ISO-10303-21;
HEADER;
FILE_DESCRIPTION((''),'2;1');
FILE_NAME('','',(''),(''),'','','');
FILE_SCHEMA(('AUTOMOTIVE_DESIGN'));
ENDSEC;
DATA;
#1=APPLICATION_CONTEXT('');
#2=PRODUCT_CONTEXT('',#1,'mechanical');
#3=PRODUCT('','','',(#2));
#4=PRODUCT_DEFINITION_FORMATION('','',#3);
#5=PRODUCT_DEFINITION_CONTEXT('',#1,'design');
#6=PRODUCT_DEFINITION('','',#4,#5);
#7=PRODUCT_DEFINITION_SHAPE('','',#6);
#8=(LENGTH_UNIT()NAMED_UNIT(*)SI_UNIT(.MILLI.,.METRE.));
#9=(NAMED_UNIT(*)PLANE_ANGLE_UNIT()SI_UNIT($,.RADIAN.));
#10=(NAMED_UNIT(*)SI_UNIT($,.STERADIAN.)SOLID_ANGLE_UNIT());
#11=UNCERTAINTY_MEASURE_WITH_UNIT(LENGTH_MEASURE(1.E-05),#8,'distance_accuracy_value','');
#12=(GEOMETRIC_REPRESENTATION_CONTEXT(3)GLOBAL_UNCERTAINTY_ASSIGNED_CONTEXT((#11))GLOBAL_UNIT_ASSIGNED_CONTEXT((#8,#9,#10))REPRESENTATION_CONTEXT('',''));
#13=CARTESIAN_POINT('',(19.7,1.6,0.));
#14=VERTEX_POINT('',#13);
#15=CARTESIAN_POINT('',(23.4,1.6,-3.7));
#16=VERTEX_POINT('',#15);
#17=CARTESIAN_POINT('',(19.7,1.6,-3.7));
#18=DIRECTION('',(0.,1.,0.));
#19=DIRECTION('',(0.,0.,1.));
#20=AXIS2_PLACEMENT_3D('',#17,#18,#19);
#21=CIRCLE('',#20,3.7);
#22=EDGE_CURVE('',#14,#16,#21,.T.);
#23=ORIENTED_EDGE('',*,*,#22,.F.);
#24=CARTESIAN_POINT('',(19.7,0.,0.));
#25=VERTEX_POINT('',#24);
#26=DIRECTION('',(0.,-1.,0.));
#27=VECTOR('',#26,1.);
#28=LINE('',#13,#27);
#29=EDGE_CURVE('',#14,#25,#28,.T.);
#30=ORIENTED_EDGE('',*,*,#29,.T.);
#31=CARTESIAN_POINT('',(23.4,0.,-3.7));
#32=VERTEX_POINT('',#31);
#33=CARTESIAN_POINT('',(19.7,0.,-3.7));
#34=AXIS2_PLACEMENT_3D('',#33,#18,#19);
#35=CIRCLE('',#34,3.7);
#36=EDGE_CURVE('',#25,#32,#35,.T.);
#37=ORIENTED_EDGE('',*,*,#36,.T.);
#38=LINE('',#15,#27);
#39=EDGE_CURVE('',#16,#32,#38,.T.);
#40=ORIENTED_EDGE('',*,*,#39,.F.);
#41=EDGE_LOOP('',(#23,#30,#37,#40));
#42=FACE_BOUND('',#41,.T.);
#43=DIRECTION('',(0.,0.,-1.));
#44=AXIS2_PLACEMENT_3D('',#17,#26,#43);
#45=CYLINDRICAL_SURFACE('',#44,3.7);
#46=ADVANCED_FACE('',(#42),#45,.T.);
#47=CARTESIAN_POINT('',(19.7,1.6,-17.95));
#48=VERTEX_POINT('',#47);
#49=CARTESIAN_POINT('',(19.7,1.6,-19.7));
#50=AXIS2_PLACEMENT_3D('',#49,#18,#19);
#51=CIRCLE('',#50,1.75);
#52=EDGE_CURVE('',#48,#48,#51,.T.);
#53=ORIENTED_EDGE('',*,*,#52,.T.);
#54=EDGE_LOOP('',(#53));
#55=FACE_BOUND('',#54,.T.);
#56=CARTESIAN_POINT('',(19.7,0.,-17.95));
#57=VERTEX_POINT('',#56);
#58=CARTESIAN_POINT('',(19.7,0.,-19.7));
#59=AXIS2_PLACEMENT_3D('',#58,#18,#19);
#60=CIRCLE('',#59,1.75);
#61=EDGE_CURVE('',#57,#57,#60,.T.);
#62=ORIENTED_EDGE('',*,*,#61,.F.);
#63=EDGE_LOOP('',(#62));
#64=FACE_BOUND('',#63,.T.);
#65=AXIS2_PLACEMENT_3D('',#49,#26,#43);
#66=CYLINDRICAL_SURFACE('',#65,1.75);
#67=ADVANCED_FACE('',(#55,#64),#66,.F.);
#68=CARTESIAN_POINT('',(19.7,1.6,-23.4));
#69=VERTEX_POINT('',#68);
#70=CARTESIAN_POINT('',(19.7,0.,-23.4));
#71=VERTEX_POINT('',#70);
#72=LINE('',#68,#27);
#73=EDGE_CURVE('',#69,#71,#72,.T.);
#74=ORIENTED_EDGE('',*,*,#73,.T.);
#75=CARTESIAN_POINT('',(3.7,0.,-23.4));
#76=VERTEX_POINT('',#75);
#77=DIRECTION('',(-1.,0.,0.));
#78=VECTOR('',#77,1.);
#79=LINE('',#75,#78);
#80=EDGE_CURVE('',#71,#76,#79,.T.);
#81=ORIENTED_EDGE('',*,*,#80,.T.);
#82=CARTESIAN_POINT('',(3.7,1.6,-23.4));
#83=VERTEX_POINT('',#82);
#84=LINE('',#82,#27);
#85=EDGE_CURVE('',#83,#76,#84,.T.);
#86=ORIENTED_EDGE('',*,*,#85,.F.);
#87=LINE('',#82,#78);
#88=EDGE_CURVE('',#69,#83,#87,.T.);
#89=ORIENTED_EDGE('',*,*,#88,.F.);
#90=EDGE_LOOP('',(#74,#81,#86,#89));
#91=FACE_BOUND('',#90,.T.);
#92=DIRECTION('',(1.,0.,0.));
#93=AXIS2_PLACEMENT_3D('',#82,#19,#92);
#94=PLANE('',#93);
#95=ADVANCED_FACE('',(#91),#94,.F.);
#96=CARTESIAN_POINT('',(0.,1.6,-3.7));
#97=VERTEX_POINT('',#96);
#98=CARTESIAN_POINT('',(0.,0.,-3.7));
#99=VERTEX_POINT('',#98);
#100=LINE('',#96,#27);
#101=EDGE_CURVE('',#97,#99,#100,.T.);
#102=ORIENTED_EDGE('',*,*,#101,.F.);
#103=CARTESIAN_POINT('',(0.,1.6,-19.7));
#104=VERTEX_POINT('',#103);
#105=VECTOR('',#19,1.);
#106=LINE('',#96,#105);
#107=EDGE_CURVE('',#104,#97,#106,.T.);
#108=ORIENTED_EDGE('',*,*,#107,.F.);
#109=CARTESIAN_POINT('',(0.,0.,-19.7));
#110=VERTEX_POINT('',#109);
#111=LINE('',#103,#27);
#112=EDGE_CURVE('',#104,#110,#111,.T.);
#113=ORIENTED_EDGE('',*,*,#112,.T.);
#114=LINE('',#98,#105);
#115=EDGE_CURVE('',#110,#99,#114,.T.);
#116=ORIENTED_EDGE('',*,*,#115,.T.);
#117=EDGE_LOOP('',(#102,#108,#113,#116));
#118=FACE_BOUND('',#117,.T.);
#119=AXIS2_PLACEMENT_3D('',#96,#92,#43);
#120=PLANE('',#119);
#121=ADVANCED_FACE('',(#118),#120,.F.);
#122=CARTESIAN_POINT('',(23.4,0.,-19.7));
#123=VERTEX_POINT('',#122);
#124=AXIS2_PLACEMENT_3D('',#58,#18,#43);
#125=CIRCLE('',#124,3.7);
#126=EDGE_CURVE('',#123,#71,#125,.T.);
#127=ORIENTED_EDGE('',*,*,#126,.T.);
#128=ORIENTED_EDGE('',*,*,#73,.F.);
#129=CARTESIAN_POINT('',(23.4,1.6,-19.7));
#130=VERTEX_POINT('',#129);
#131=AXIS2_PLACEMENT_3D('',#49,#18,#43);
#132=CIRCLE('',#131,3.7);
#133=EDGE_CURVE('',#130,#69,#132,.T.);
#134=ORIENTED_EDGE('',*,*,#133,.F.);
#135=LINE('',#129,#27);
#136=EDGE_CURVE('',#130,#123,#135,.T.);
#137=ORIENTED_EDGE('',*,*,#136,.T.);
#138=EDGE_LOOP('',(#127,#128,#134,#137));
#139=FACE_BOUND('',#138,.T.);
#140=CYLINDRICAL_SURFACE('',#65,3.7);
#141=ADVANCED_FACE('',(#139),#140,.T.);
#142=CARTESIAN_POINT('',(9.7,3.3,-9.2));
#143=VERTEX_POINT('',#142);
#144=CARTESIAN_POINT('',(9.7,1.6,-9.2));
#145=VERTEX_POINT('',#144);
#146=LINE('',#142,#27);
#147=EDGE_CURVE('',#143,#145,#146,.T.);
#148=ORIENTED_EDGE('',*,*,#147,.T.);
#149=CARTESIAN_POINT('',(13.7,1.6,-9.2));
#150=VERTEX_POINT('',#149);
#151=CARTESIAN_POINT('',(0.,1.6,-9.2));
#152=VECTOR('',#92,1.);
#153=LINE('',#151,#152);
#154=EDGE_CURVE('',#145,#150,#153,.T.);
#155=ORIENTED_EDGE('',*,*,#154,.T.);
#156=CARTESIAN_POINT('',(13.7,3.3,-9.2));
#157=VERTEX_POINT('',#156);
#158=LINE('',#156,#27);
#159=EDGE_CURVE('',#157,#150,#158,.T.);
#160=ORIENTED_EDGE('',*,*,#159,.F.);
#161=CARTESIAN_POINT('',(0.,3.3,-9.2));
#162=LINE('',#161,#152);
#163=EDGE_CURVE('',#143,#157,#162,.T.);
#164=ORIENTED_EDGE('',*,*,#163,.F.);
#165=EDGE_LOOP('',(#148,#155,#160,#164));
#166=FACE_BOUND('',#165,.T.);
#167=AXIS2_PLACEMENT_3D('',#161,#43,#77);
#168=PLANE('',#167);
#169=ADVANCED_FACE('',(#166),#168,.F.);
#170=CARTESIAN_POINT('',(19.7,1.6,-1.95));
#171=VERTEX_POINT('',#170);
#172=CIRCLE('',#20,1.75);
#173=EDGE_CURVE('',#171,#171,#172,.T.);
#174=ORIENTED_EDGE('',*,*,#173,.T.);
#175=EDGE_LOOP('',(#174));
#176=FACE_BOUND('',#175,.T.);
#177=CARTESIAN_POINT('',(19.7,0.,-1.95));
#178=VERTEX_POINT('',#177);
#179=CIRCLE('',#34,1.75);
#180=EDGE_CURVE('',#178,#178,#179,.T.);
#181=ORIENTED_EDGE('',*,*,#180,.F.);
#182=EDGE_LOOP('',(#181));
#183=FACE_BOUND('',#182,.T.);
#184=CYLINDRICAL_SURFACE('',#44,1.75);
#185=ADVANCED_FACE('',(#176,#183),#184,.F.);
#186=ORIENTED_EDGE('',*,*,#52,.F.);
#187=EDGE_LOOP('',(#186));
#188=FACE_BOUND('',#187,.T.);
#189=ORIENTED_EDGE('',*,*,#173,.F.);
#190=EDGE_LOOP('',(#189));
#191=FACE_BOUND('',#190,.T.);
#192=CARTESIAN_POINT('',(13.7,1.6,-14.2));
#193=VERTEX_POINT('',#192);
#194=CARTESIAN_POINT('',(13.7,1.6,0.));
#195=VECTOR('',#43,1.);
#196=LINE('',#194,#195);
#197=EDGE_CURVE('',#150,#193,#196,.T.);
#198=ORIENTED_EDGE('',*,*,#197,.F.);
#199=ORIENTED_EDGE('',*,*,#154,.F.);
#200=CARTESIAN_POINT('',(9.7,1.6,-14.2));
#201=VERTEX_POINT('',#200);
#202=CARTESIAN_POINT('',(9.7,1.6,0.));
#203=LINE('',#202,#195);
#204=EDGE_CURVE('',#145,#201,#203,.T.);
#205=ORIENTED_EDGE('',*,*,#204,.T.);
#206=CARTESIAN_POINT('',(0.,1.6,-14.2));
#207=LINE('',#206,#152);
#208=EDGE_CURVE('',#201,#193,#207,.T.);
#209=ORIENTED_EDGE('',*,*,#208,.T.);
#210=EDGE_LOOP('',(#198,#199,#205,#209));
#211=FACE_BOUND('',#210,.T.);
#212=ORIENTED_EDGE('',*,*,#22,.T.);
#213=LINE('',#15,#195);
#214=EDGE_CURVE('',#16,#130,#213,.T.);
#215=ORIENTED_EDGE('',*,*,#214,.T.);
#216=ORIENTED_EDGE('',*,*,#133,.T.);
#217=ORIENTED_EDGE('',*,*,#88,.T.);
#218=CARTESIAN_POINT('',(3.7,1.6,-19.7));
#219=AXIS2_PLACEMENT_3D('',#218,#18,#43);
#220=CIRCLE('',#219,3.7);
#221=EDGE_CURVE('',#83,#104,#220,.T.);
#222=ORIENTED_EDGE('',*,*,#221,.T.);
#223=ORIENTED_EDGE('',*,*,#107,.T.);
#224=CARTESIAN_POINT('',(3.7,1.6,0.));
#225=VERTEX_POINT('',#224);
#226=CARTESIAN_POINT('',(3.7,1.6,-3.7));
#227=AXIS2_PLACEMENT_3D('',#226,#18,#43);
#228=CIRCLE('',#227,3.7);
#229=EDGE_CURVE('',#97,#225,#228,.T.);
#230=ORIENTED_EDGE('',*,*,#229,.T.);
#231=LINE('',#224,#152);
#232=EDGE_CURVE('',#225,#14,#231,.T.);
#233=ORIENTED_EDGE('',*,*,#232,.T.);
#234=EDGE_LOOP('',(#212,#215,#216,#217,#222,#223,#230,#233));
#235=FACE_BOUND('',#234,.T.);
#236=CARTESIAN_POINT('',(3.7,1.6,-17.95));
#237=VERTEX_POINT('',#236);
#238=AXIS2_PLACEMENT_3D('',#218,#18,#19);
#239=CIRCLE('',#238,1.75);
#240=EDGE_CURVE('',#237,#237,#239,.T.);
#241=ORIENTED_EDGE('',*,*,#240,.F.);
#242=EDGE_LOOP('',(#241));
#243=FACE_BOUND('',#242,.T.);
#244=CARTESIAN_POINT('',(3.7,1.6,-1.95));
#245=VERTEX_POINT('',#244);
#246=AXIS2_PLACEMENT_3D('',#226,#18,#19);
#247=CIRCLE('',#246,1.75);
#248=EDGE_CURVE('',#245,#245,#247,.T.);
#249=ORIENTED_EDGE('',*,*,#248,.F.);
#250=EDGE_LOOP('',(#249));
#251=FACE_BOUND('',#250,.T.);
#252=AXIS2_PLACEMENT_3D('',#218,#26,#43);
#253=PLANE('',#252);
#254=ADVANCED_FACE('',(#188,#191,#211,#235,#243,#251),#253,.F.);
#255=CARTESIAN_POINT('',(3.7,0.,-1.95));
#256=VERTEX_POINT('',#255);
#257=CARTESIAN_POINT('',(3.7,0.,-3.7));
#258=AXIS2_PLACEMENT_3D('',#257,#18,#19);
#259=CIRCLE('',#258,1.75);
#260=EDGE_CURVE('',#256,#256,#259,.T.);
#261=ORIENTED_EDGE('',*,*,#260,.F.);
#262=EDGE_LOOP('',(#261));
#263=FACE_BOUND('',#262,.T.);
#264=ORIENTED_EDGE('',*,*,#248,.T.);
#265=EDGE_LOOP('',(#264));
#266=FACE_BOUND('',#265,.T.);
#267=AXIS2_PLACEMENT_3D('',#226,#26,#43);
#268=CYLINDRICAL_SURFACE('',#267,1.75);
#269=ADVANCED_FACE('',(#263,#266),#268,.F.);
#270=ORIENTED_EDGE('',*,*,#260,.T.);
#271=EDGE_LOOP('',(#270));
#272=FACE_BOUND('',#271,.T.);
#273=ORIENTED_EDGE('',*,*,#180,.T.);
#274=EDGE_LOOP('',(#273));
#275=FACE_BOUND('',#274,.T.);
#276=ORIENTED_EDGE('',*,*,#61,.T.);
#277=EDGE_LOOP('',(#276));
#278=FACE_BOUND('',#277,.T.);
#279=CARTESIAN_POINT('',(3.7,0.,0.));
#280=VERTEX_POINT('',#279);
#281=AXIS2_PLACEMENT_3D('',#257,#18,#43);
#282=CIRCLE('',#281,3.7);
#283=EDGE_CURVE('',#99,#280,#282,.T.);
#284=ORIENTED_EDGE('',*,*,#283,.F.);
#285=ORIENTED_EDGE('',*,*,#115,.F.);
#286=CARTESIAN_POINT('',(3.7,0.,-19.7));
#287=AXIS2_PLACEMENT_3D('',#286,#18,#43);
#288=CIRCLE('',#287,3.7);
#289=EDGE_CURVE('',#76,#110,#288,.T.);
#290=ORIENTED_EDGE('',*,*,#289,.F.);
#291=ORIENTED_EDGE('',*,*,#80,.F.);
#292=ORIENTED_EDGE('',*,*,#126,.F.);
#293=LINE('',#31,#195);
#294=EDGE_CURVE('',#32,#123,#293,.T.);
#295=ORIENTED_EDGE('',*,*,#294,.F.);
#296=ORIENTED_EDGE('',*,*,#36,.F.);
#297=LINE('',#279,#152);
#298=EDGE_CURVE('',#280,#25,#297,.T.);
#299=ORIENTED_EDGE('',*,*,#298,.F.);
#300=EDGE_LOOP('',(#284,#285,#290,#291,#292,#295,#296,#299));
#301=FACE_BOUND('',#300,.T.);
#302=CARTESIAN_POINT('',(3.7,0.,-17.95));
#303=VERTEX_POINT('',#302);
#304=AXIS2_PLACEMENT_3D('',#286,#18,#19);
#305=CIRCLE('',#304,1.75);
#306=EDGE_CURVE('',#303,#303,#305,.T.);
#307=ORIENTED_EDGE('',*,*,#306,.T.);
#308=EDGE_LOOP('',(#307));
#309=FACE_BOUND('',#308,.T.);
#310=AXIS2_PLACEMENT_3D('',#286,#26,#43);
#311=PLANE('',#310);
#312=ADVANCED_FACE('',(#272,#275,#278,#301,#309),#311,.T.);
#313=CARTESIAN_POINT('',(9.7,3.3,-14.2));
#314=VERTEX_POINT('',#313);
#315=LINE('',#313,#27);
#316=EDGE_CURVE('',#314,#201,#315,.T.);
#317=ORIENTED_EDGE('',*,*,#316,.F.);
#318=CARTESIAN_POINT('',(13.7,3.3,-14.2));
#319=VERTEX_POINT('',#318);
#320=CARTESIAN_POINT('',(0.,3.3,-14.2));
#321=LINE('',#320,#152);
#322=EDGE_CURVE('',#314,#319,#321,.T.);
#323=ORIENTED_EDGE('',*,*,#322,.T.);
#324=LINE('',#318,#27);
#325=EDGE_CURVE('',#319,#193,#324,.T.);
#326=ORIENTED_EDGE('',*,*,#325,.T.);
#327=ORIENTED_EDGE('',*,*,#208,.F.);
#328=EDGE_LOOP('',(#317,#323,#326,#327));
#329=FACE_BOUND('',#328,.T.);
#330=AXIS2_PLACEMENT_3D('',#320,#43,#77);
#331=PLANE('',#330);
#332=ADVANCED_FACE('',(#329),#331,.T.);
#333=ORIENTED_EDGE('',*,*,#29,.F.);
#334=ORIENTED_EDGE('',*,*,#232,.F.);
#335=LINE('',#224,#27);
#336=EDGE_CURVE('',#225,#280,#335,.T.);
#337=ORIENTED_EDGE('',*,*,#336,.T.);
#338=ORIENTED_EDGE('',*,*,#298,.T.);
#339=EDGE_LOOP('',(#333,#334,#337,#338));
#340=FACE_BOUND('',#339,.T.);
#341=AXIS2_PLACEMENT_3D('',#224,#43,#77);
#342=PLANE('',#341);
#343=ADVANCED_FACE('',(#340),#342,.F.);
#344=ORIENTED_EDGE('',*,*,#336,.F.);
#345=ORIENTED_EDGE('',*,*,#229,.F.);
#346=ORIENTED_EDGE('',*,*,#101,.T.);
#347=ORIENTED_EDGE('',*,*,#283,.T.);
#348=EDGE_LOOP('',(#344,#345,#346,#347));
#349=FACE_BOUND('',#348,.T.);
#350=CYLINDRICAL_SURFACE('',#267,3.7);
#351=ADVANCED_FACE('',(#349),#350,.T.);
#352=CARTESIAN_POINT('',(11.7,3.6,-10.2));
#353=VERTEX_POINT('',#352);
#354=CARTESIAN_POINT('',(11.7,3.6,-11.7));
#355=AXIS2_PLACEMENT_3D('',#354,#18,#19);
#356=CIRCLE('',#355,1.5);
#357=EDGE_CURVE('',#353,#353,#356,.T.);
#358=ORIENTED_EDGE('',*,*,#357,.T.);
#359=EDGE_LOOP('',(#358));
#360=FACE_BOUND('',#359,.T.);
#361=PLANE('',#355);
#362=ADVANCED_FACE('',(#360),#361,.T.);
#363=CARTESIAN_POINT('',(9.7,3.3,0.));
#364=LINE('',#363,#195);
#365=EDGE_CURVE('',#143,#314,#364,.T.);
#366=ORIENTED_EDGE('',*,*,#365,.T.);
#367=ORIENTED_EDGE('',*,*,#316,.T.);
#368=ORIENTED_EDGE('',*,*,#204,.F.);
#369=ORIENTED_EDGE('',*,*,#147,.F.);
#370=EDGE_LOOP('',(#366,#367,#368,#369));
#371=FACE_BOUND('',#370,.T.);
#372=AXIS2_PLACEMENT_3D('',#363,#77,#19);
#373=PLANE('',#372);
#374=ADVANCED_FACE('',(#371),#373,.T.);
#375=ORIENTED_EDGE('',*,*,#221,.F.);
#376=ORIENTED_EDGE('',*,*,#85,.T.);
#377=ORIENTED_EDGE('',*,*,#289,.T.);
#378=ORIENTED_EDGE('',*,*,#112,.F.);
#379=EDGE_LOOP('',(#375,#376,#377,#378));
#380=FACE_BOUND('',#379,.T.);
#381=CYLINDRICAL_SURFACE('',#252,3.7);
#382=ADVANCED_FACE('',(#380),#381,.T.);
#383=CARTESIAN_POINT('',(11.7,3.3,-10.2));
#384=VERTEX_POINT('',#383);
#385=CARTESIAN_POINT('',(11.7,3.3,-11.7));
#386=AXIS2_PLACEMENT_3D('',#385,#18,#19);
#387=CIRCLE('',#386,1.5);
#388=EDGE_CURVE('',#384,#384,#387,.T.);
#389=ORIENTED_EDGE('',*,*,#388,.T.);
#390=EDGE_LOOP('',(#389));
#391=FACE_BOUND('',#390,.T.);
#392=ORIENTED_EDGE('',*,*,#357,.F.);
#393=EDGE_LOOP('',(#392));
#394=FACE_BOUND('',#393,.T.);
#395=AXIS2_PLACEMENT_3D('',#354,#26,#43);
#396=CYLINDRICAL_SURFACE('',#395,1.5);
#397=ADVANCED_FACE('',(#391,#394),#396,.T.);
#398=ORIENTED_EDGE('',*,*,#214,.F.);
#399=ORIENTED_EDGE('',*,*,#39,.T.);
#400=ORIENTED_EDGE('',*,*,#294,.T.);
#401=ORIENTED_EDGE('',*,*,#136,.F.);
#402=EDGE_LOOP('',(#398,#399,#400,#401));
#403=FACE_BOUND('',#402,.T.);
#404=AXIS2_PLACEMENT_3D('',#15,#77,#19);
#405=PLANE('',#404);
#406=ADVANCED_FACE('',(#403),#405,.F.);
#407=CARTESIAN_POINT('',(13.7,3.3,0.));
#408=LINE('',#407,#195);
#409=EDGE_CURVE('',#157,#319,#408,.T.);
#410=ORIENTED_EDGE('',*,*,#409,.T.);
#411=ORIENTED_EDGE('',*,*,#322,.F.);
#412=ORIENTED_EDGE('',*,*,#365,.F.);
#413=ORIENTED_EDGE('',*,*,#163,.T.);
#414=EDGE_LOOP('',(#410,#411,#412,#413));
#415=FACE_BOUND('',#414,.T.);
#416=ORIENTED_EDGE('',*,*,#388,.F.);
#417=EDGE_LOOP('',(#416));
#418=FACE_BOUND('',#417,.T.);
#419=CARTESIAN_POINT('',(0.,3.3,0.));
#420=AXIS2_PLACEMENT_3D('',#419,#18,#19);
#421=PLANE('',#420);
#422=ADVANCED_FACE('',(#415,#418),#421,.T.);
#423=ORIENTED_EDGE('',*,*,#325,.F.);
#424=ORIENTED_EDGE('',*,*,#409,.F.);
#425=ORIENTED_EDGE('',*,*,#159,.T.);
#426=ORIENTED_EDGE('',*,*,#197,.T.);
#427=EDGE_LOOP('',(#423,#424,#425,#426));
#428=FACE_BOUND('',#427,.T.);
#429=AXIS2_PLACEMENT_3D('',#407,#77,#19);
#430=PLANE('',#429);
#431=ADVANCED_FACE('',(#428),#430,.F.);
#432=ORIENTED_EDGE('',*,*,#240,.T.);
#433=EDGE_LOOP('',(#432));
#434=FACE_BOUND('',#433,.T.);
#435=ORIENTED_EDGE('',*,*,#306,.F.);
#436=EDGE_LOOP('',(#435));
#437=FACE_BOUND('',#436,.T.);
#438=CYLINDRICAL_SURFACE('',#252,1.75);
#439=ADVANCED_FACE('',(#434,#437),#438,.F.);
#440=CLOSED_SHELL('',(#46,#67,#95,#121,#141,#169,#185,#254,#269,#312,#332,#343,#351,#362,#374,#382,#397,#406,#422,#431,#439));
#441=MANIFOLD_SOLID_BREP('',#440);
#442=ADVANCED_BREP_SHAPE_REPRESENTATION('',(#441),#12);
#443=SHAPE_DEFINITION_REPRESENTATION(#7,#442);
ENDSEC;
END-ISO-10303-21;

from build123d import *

# Parameters (mm, degrees)
SKETCH1_R           = 1.75
BOSS_EXTRUDE1_DEPTH = 1.6
SKETCH2_W           = 2
SKETCH2_H           = 5
BOSS_EXTRUDE2_DEPTH = 1.7
SKETCH3_R           = 1.5
BOSS_EXTRUDE3_DEPTH = 0.3


with BuildPart() as part:
    # Sketch1 → Boss-Extrude1 (new body)
    with BuildSketch(Plane(origin=(0, 0, 0), x_dir=(1, 0, 0), z_dir=(0, 1, 0))):
        with BuildLine():
            Line((3.7, 0), (19.7, 0))
            ThreePointArc((19.7, 0), (22.31629509, 1.08370491), (23.4, 3.7))
            Line((23.4, 3.7), (23.4, 19.7))
            ThreePointArc((23.4, 19.7), (22.31629509, 22.31629509), (19.7, 23.4))
            Line((19.7, 23.4), (3.7, 23.4))
            ThreePointArc((3.7, 23.4), (1.08370491, 22.31629509), (0, 19.7))
            Line((0, 19.7), (0, 3.7))
            ThreePointArc((0, 3.7), (1.08370491, 1.08370491), (3.7, 0))
        make_face()
        with Locations(Location((3.7, 19.7, 0), (0, 0, 270))):
            Circle(SKETCH1_R, mode=Mode.SUBTRACT)
        with Locations(Location((19.7, 19.7, 0), (0, 0, 270))):
            Circle(SKETCH1_R, mode=Mode.SUBTRACT)
        with Locations(Location((19.7, 3.7, 0), (0, 0, 270))):
            Circle(SKETCH1_R, mode=Mode.SUBTRACT)
        with Locations(Location((3.7, 3.7, 0), (0, 0, 270))):
            Circle(SKETCH1_R, mode=Mode.SUBTRACT)
    extrude(amount=BOSS_EXTRUDE1_DEPTH)

    # Sketch2 → Boss-Extrude2 (add)
    with BuildSketch(Plane(origin=(0, 1.6, 0), x_dir=(1, 0, 0), z_dir=(0, 1, 0))):
        with Locations((12.7, 11.7)):
            Rectangle(SKETCH2_W, SKETCH2_H)
        with Locations((10.7, 11.7)):
            Rectangle(SKETCH2_W, SKETCH2_H)
    extrude(amount=BOSS_EXTRUDE2_DEPTH)

    # Sketch3 → Boss-Extrude3 (add)
    with BuildSketch(Plane(origin=(0, 3.3, 0), x_dir=(1, 0, 0), z_dir=(0, 1, 0))):
        with Locations(Location((11.7, 11.7, 0), (0, 0, 270))):
            Circle(SKETCH3_R)
    extrude(amount=BOSS_EXTRUDE3_DEPTH)


solid = part.part
